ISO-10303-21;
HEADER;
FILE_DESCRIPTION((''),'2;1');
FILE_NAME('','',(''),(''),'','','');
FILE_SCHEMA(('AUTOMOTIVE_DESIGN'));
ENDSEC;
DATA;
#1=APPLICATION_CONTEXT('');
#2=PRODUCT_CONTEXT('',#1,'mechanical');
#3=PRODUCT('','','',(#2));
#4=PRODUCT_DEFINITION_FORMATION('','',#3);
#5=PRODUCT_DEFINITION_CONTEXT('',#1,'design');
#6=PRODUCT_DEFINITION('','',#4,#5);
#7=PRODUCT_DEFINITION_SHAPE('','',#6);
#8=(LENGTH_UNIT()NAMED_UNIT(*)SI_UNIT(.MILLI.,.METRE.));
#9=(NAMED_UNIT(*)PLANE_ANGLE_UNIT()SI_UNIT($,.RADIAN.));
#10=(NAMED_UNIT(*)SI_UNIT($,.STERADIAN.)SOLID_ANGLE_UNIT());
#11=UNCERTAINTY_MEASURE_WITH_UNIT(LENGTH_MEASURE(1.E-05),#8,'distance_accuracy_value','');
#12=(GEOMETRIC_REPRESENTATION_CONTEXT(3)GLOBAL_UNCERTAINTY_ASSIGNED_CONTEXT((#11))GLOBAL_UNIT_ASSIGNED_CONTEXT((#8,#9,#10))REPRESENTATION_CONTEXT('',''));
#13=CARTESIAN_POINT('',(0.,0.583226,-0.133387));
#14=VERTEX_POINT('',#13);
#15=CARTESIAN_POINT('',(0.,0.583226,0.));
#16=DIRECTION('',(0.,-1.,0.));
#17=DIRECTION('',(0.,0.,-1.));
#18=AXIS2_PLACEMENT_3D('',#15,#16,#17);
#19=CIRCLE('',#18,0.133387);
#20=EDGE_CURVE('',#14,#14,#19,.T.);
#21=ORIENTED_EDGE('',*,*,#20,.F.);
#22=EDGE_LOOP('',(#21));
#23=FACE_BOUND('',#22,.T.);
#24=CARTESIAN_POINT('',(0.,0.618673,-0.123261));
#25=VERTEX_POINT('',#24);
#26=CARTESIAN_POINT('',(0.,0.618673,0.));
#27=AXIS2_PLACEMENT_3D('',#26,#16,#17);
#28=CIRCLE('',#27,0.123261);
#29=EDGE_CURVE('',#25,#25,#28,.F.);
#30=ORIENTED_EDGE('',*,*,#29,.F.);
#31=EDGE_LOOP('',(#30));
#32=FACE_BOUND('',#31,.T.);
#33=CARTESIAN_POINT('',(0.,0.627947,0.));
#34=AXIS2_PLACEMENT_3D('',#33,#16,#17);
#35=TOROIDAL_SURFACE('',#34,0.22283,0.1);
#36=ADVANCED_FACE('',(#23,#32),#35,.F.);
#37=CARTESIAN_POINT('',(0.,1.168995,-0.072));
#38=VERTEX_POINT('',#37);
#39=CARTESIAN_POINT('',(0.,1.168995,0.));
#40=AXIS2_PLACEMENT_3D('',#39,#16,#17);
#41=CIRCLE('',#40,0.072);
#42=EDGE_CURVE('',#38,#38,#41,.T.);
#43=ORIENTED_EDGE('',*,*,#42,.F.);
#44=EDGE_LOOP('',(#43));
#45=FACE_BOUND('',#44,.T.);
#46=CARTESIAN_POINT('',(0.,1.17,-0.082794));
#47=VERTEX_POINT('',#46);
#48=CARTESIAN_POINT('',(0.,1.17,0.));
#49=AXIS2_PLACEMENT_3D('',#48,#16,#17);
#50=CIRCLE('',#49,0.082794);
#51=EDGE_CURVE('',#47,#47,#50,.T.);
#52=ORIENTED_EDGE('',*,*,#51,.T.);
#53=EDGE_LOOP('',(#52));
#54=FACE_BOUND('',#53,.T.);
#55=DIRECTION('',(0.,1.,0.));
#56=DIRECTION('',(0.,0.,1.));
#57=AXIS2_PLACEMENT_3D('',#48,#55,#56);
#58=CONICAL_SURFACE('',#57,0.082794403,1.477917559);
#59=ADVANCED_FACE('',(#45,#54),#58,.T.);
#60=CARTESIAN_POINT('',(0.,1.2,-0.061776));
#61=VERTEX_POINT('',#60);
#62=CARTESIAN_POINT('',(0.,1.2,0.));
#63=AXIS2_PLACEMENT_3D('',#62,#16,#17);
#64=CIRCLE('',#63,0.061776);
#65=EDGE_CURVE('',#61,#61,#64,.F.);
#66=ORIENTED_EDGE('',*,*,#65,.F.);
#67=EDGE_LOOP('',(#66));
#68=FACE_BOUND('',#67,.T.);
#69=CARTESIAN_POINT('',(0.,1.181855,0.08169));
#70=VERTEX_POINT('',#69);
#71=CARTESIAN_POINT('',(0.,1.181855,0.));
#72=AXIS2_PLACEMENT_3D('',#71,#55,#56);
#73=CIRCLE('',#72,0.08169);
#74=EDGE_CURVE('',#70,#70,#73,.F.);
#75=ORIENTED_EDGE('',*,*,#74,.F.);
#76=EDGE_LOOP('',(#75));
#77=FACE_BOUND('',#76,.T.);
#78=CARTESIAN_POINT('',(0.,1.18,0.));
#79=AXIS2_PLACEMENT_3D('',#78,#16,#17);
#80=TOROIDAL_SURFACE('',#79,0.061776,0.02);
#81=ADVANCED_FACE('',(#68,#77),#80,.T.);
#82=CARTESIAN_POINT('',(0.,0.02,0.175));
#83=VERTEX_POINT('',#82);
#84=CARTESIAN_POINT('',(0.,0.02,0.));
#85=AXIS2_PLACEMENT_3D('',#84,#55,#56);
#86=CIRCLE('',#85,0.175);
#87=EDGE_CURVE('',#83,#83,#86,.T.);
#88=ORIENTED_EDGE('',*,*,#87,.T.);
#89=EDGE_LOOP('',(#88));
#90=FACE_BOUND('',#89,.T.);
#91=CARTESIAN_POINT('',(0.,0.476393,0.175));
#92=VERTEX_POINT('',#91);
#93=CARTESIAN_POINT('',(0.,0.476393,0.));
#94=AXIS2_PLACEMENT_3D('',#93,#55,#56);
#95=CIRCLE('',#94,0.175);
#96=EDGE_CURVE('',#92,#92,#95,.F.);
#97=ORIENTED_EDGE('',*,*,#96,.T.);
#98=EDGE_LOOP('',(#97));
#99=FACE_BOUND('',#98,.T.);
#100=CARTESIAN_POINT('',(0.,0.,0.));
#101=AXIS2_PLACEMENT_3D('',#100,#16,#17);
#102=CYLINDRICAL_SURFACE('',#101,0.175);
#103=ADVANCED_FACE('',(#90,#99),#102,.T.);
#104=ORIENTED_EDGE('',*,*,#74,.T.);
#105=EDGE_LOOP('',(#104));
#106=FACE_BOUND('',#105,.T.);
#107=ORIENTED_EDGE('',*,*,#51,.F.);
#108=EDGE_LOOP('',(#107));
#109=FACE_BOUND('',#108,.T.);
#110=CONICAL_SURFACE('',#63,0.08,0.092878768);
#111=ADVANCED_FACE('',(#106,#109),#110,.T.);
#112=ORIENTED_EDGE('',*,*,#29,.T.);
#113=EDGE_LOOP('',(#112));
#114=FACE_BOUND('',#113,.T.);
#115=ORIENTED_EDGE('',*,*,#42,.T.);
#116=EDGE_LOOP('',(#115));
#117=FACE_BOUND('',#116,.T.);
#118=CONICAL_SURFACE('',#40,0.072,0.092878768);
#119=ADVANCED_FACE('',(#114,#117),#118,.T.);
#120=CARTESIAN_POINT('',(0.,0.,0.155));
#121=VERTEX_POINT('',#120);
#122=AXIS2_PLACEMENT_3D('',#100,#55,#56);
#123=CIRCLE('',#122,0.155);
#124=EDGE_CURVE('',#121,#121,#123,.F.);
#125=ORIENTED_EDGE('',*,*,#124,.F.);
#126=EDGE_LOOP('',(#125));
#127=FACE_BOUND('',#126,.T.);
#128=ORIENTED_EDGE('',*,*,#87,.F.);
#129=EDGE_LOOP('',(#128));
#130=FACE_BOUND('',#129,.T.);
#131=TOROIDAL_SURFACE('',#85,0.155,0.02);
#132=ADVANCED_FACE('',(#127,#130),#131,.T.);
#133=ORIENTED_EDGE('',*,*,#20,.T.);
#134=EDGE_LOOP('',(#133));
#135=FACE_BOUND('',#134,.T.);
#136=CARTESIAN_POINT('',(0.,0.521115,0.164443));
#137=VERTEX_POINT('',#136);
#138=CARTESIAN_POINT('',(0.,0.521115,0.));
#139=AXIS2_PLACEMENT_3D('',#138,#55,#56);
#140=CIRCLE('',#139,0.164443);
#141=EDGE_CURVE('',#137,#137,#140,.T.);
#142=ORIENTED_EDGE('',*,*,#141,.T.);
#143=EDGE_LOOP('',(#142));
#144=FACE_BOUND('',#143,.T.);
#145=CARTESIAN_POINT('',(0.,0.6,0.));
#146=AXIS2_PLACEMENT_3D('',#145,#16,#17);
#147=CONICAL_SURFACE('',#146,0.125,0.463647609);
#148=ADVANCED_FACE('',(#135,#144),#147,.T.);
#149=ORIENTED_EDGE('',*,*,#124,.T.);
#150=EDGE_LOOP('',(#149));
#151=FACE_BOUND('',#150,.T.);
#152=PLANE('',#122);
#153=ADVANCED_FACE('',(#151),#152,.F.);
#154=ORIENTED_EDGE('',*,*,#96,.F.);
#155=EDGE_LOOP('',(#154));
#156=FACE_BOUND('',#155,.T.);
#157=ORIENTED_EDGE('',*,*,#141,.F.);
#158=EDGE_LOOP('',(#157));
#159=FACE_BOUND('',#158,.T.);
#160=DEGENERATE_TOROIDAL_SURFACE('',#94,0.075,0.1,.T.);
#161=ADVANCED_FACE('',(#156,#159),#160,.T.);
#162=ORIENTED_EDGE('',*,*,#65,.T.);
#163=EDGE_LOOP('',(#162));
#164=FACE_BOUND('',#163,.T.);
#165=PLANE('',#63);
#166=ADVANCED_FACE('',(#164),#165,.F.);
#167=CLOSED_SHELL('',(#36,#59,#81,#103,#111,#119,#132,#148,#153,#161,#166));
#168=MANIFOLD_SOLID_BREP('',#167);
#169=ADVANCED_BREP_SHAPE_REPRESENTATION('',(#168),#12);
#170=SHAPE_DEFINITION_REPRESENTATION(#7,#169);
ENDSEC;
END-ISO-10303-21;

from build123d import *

# Parameters (mm, degrees)
FILLET1_R = 0.1
FILLET2_R = 0.02


with BuildPart() as part:
    # Sketch1 → Revolve1 (revolve)
    with BuildSketch(Plane.XY, mode=Mode.PRIVATE) as revolve1_sk:
        Polygon((0, 0), (-0.175, 0), (-0.175, 0.5), (-0.125, 0.6), (-0.072, 1.168994536), (-0.082794403, 1.17), (-0.08, 1.2), (0, 1.2), align=None)
    revolve(revolve1_sk.sketch.rotate(Axis((0, 0, 0), (0, 1, 0)), 270), axis=Axis((0, 0, 0), (0, 1, 0)))

    # Fillet1
    fillet1_edges = [part.edges().sort_by_distance(p)[0] for p in [
        (0, 0.6, 0.125),
        (0, 0.5, 0.175),
    ]]
    fillet(fillet1_edges, radius=FILLET1_R)

    # Fillet2
    fillet2_edges = [part.edges().sort_by_distance(p)[0] for p in [
        (0, 1.2, 0.08),
        (0, 0, 0.175),
    ]]
    fillet(fillet2_edges, radius=FILLET2_R)


solid = part.part
